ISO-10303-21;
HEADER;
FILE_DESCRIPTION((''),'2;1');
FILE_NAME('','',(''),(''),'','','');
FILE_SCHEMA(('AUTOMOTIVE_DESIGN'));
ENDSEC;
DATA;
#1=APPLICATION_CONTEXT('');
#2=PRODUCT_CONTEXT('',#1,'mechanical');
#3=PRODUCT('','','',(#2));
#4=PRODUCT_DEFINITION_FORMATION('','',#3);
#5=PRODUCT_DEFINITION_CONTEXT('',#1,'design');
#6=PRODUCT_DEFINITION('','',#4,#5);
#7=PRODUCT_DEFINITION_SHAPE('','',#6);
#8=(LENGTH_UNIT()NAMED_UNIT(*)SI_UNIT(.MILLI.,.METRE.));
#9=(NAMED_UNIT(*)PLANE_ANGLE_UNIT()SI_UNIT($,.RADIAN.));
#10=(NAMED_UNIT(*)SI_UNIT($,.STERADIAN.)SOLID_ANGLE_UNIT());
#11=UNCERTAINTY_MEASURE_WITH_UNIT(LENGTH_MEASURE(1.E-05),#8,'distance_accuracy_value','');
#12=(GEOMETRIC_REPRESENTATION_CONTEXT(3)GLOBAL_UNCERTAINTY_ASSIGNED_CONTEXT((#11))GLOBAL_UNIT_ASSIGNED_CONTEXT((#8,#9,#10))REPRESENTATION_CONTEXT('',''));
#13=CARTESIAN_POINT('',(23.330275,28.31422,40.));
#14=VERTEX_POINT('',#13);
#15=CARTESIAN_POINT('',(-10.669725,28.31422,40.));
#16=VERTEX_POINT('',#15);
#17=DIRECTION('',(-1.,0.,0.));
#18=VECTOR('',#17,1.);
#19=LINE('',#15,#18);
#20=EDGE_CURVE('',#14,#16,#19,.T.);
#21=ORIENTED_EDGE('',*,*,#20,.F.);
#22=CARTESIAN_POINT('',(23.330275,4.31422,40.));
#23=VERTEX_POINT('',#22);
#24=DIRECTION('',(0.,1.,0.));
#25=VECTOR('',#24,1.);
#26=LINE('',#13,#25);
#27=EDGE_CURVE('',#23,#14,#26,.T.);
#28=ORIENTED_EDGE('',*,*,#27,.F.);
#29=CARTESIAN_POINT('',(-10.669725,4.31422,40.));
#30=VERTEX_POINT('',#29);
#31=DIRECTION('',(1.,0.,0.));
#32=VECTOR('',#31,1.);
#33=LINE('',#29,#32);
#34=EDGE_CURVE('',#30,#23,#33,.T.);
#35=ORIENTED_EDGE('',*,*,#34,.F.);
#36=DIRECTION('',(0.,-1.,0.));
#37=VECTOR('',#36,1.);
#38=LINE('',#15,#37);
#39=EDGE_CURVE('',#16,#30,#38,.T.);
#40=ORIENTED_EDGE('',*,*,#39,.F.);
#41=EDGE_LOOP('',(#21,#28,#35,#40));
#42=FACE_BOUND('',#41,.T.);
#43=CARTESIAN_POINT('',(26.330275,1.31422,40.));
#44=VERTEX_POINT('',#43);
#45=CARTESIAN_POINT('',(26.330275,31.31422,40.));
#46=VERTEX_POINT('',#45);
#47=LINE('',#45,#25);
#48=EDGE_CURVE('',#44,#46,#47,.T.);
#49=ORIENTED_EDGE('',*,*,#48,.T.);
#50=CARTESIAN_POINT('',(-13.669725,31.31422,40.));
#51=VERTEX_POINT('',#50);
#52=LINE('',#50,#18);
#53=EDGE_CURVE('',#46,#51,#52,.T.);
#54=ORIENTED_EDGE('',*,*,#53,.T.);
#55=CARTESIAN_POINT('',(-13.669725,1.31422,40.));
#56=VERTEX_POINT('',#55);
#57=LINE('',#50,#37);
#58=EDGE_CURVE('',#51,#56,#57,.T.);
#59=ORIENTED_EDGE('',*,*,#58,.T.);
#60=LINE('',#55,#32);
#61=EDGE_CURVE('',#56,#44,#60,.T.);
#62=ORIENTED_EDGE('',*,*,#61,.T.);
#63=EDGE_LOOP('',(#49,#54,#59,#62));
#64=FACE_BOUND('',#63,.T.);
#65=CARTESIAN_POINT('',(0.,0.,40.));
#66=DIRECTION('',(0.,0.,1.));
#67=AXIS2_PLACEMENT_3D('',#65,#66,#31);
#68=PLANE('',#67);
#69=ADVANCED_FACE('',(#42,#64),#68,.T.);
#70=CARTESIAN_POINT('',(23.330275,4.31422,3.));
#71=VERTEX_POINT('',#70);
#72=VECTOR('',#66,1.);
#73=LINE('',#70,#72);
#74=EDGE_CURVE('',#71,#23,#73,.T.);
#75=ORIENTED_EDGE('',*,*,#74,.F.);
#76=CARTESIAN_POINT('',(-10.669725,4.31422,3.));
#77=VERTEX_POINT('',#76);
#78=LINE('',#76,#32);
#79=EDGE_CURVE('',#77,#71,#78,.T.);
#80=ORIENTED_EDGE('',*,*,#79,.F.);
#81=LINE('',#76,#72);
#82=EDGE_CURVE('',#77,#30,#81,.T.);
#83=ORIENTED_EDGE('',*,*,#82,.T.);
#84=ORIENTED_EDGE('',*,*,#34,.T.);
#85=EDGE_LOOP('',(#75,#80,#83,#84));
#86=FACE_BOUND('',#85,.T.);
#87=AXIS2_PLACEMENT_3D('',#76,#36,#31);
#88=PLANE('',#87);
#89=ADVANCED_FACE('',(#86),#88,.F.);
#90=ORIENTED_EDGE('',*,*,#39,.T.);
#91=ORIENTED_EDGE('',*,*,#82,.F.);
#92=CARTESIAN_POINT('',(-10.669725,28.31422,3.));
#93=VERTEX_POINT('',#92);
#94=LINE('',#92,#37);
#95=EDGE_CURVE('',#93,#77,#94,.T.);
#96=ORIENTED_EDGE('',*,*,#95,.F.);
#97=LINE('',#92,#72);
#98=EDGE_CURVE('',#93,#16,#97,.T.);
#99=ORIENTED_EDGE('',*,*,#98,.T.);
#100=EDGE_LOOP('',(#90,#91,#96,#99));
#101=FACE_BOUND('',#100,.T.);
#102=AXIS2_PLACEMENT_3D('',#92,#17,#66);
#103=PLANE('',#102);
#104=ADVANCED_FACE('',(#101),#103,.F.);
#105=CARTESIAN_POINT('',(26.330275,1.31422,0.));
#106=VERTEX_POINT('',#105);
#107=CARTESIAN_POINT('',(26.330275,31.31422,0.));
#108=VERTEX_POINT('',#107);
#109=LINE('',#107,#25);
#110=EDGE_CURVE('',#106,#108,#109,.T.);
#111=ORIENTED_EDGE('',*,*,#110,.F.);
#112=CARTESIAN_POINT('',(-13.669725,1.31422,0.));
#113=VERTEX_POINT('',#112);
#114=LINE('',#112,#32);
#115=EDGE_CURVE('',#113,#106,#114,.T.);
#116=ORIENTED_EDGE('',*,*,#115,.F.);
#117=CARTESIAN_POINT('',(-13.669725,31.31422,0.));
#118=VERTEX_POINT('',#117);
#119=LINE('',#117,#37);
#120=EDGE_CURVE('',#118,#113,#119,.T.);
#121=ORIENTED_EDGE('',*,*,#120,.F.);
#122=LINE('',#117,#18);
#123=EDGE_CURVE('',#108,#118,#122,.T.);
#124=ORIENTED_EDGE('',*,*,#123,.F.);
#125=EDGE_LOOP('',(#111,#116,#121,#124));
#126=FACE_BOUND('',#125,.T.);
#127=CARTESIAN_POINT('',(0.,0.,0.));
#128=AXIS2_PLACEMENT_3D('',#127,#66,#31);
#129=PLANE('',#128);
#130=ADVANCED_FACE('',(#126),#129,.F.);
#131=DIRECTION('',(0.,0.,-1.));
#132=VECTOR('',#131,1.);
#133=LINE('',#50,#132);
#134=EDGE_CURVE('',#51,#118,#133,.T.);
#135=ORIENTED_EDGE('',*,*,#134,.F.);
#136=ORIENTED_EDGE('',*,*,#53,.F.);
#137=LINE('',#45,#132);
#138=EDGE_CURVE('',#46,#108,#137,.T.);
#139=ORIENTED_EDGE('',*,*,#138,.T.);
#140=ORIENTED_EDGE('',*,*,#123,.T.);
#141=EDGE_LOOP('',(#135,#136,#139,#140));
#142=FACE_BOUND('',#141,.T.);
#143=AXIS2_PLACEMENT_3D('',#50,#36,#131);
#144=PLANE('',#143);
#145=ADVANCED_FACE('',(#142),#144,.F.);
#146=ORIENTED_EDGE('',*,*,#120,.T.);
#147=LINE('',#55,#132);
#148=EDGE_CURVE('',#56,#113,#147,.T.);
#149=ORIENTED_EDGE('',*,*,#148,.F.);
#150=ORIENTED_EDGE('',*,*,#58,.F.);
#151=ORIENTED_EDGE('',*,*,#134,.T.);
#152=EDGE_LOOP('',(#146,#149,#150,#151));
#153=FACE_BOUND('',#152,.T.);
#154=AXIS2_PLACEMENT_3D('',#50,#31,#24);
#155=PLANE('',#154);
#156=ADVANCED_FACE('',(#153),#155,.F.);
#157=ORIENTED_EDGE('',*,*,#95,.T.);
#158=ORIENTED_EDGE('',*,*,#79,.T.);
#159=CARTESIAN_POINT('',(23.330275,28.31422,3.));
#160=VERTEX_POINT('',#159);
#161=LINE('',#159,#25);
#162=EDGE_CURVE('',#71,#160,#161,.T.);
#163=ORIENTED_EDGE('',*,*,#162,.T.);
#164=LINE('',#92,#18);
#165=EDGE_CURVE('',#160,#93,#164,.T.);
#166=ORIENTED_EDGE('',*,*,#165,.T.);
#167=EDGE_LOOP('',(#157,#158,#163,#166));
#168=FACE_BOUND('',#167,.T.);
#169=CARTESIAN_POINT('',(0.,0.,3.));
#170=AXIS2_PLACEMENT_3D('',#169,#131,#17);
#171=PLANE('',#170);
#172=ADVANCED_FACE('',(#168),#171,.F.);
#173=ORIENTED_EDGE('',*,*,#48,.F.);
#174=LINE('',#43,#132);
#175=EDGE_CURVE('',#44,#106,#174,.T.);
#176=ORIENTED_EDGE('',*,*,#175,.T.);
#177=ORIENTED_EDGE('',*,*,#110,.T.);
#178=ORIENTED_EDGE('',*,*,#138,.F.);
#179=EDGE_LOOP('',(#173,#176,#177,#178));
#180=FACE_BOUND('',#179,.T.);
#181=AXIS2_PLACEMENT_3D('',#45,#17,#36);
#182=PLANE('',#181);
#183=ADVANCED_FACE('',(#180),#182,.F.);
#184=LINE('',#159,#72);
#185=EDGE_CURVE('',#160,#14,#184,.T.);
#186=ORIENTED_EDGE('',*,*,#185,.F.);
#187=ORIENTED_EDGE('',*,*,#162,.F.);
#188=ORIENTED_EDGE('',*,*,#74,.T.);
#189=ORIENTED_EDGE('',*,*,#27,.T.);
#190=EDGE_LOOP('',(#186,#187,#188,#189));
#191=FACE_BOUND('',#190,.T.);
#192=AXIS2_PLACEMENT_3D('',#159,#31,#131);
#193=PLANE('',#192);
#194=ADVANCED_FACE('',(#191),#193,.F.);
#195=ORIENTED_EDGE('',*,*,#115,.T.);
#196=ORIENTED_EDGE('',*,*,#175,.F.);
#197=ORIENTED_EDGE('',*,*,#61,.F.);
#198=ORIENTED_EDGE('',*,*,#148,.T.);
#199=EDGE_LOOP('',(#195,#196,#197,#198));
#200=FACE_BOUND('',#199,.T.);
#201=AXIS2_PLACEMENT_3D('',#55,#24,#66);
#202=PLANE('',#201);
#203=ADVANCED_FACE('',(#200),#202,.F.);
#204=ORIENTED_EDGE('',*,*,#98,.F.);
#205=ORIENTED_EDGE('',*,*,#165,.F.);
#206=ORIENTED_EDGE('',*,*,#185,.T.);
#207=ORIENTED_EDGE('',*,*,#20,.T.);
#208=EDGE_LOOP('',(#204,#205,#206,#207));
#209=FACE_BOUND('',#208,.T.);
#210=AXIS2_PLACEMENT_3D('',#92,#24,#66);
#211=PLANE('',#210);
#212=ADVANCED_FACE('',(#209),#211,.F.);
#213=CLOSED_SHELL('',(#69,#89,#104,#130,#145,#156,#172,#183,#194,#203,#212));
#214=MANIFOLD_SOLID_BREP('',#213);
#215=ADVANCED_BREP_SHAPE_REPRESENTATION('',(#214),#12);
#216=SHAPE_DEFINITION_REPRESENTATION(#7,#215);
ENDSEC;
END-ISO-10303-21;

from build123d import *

# Parameters (mm, degrees)
SKETCH_1_W          = 40
SKETCH_1_H          = 30
EXTRUDE_1_DEPTH     = 40
SKETCH_2_W          = 34
SKETCH_2_H          = 24
CUT_EXTRUDE_1_DEPTH = 37


with BuildPart() as part:
    # 草图1 → 凸台-拉伸1 (new body)
    with BuildSketch(Plane.XY):
        with Locations((6.330275229, 16.314220183)):
            Rectangle(SKETCH_1_W, SKETCH_1_H)
    extrude(amount=EXTRUDE_1_DEPTH)

    # 草图2 → 切除-拉伸1 (cut)
    with BuildSketch(Plane.XY.offset(40)):
        with Locations((6.330275229, 16.314220183)):
            Rectangle(SKETCH_2_W, SKETCH_2_H)
    extrude(amount=-CUT_EXTRUDE_1_DEPTH, mode=Mode.SUBTRACT)


solid = part.part
